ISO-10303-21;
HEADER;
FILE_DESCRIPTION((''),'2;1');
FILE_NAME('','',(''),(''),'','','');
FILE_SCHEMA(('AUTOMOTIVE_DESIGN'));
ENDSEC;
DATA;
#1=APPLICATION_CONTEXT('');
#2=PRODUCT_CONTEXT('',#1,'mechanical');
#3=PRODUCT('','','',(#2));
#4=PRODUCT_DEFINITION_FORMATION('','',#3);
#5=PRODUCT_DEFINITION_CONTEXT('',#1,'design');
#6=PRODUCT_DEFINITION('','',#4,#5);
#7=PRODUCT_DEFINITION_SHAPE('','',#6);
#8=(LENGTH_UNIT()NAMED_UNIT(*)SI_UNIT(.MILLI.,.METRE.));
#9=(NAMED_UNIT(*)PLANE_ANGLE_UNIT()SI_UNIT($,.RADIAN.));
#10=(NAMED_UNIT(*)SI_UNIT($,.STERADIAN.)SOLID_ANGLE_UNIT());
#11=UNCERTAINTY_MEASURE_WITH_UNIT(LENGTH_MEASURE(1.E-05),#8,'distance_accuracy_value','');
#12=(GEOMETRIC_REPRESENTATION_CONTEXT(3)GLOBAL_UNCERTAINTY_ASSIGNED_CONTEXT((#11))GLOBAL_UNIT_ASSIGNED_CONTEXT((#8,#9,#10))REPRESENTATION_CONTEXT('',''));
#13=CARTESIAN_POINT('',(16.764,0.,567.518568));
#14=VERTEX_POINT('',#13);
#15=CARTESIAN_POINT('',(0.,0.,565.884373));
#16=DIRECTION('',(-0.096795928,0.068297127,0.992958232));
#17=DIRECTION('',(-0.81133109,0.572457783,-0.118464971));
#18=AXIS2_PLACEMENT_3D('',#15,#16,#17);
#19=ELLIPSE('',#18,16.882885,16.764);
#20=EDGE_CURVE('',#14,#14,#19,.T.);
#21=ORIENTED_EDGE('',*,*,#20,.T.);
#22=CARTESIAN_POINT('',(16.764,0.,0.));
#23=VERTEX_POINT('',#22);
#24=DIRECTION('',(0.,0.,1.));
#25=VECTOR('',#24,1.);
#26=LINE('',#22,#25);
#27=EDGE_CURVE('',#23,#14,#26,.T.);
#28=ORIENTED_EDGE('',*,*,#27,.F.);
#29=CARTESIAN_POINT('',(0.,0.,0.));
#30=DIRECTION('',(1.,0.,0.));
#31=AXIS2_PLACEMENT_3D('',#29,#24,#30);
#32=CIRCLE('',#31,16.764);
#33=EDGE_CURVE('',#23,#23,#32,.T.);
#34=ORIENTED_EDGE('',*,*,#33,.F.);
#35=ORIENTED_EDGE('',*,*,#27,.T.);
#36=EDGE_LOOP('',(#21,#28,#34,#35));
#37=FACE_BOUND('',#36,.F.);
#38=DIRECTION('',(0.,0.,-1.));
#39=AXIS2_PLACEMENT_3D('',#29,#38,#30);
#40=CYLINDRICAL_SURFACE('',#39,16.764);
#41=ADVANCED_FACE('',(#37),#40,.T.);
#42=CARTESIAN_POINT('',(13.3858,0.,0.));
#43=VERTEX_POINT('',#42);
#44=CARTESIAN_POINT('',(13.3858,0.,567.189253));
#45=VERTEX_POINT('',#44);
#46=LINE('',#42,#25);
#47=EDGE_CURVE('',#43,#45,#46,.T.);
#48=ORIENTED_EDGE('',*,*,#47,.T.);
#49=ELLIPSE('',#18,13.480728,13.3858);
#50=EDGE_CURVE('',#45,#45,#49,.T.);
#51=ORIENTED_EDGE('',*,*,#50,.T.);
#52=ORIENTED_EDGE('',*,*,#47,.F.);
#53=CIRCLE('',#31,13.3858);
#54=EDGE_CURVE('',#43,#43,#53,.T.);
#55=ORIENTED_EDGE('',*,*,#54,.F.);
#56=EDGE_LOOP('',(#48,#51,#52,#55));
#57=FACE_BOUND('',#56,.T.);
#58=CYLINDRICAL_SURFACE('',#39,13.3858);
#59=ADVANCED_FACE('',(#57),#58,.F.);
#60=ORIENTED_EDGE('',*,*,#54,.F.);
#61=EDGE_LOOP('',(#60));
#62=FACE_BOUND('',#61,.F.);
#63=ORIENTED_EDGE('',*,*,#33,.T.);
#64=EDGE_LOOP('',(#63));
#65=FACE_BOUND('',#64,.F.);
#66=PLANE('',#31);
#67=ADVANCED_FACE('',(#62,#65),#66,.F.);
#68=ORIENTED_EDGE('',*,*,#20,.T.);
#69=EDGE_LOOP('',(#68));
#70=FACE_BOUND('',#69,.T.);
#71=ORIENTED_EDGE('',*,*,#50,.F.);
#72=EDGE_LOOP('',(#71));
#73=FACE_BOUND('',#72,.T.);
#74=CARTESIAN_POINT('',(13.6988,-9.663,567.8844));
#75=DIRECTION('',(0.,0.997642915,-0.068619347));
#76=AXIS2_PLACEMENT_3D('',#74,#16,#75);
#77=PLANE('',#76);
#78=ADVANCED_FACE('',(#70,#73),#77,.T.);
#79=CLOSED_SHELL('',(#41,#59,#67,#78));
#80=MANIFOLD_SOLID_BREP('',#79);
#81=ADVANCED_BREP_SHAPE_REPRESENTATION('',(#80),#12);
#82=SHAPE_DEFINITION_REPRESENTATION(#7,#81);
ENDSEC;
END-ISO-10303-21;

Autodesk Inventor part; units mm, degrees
ref_plane "Start plane" through (0, 0, 0) normal (0, 0, 1) x (1, 0, 0)
ref_plane "End plane" through (0, 0, 568.6715) normal (0, 0, 1) x (1, 0, 0)
sketch "Sketch" plane through (0, 0, 0) normal (0, 0, 1) x (1, 0, 0)
  circle A0 centre (0, 0) radius 13.3858
  circle A1 centre (0, 0) radius 16.764
  dimension "d0" = 33.528
  dimension "d1" = 3.3782
extrude "Body" add sketch "Sketch" along normal up to surface (568.6715 mm away) from surface at 0
sketch "Sketch3" plane through (0, 0, 0) normal (0, 0, 1) x (1, 0, 0)
  line L0 (0, 0) -> (10, 0)
ref_plane "Work Plane3" through (0, 0, 0) normal (0, -1, 0) x (1, 0, 0)
ref_plane "Work Plane4" through (13.6988, -9.663, 567.8844) normal (-0.0968, 0.0683, 0.993) x (0.9953, 0.0033, 0.0968)
split "Split1" plane through (13.6988, -9.663, 567.8844) removes the side toward (-0.0968, 0.0683, 0.993)
sketch "Sketch4" plane through (0, 0, 0) normal (0, -1, 0) x (1, 0, 0)
  line L0 (-2, 0) -> (12, 0) projected
  line L1 (-2, 568.6715) -> (12, 568.6715) projected
  dimension "d7" = 568.6716
equation "\"d0\" = G_H"
equation "\"d1\" = G_T"
equation "\"d2\" = G_L"
equation "\"G_H\" = 33.528"
equation "\"G_T\" = 3.3782"
equation "\"G_L\" = 567.88436"
equation "\"G_OFFSET_START\" = 0"
equation "\"G_OFFSET_END\" = 2.78728"
equation "\"d5\" = G_OFFSET_END + B_L"
equation "\"B_L\" = 565.88426"
properties part number "ANSI - 1 x 0.133 - 22.358" material "Steel, Mild"
